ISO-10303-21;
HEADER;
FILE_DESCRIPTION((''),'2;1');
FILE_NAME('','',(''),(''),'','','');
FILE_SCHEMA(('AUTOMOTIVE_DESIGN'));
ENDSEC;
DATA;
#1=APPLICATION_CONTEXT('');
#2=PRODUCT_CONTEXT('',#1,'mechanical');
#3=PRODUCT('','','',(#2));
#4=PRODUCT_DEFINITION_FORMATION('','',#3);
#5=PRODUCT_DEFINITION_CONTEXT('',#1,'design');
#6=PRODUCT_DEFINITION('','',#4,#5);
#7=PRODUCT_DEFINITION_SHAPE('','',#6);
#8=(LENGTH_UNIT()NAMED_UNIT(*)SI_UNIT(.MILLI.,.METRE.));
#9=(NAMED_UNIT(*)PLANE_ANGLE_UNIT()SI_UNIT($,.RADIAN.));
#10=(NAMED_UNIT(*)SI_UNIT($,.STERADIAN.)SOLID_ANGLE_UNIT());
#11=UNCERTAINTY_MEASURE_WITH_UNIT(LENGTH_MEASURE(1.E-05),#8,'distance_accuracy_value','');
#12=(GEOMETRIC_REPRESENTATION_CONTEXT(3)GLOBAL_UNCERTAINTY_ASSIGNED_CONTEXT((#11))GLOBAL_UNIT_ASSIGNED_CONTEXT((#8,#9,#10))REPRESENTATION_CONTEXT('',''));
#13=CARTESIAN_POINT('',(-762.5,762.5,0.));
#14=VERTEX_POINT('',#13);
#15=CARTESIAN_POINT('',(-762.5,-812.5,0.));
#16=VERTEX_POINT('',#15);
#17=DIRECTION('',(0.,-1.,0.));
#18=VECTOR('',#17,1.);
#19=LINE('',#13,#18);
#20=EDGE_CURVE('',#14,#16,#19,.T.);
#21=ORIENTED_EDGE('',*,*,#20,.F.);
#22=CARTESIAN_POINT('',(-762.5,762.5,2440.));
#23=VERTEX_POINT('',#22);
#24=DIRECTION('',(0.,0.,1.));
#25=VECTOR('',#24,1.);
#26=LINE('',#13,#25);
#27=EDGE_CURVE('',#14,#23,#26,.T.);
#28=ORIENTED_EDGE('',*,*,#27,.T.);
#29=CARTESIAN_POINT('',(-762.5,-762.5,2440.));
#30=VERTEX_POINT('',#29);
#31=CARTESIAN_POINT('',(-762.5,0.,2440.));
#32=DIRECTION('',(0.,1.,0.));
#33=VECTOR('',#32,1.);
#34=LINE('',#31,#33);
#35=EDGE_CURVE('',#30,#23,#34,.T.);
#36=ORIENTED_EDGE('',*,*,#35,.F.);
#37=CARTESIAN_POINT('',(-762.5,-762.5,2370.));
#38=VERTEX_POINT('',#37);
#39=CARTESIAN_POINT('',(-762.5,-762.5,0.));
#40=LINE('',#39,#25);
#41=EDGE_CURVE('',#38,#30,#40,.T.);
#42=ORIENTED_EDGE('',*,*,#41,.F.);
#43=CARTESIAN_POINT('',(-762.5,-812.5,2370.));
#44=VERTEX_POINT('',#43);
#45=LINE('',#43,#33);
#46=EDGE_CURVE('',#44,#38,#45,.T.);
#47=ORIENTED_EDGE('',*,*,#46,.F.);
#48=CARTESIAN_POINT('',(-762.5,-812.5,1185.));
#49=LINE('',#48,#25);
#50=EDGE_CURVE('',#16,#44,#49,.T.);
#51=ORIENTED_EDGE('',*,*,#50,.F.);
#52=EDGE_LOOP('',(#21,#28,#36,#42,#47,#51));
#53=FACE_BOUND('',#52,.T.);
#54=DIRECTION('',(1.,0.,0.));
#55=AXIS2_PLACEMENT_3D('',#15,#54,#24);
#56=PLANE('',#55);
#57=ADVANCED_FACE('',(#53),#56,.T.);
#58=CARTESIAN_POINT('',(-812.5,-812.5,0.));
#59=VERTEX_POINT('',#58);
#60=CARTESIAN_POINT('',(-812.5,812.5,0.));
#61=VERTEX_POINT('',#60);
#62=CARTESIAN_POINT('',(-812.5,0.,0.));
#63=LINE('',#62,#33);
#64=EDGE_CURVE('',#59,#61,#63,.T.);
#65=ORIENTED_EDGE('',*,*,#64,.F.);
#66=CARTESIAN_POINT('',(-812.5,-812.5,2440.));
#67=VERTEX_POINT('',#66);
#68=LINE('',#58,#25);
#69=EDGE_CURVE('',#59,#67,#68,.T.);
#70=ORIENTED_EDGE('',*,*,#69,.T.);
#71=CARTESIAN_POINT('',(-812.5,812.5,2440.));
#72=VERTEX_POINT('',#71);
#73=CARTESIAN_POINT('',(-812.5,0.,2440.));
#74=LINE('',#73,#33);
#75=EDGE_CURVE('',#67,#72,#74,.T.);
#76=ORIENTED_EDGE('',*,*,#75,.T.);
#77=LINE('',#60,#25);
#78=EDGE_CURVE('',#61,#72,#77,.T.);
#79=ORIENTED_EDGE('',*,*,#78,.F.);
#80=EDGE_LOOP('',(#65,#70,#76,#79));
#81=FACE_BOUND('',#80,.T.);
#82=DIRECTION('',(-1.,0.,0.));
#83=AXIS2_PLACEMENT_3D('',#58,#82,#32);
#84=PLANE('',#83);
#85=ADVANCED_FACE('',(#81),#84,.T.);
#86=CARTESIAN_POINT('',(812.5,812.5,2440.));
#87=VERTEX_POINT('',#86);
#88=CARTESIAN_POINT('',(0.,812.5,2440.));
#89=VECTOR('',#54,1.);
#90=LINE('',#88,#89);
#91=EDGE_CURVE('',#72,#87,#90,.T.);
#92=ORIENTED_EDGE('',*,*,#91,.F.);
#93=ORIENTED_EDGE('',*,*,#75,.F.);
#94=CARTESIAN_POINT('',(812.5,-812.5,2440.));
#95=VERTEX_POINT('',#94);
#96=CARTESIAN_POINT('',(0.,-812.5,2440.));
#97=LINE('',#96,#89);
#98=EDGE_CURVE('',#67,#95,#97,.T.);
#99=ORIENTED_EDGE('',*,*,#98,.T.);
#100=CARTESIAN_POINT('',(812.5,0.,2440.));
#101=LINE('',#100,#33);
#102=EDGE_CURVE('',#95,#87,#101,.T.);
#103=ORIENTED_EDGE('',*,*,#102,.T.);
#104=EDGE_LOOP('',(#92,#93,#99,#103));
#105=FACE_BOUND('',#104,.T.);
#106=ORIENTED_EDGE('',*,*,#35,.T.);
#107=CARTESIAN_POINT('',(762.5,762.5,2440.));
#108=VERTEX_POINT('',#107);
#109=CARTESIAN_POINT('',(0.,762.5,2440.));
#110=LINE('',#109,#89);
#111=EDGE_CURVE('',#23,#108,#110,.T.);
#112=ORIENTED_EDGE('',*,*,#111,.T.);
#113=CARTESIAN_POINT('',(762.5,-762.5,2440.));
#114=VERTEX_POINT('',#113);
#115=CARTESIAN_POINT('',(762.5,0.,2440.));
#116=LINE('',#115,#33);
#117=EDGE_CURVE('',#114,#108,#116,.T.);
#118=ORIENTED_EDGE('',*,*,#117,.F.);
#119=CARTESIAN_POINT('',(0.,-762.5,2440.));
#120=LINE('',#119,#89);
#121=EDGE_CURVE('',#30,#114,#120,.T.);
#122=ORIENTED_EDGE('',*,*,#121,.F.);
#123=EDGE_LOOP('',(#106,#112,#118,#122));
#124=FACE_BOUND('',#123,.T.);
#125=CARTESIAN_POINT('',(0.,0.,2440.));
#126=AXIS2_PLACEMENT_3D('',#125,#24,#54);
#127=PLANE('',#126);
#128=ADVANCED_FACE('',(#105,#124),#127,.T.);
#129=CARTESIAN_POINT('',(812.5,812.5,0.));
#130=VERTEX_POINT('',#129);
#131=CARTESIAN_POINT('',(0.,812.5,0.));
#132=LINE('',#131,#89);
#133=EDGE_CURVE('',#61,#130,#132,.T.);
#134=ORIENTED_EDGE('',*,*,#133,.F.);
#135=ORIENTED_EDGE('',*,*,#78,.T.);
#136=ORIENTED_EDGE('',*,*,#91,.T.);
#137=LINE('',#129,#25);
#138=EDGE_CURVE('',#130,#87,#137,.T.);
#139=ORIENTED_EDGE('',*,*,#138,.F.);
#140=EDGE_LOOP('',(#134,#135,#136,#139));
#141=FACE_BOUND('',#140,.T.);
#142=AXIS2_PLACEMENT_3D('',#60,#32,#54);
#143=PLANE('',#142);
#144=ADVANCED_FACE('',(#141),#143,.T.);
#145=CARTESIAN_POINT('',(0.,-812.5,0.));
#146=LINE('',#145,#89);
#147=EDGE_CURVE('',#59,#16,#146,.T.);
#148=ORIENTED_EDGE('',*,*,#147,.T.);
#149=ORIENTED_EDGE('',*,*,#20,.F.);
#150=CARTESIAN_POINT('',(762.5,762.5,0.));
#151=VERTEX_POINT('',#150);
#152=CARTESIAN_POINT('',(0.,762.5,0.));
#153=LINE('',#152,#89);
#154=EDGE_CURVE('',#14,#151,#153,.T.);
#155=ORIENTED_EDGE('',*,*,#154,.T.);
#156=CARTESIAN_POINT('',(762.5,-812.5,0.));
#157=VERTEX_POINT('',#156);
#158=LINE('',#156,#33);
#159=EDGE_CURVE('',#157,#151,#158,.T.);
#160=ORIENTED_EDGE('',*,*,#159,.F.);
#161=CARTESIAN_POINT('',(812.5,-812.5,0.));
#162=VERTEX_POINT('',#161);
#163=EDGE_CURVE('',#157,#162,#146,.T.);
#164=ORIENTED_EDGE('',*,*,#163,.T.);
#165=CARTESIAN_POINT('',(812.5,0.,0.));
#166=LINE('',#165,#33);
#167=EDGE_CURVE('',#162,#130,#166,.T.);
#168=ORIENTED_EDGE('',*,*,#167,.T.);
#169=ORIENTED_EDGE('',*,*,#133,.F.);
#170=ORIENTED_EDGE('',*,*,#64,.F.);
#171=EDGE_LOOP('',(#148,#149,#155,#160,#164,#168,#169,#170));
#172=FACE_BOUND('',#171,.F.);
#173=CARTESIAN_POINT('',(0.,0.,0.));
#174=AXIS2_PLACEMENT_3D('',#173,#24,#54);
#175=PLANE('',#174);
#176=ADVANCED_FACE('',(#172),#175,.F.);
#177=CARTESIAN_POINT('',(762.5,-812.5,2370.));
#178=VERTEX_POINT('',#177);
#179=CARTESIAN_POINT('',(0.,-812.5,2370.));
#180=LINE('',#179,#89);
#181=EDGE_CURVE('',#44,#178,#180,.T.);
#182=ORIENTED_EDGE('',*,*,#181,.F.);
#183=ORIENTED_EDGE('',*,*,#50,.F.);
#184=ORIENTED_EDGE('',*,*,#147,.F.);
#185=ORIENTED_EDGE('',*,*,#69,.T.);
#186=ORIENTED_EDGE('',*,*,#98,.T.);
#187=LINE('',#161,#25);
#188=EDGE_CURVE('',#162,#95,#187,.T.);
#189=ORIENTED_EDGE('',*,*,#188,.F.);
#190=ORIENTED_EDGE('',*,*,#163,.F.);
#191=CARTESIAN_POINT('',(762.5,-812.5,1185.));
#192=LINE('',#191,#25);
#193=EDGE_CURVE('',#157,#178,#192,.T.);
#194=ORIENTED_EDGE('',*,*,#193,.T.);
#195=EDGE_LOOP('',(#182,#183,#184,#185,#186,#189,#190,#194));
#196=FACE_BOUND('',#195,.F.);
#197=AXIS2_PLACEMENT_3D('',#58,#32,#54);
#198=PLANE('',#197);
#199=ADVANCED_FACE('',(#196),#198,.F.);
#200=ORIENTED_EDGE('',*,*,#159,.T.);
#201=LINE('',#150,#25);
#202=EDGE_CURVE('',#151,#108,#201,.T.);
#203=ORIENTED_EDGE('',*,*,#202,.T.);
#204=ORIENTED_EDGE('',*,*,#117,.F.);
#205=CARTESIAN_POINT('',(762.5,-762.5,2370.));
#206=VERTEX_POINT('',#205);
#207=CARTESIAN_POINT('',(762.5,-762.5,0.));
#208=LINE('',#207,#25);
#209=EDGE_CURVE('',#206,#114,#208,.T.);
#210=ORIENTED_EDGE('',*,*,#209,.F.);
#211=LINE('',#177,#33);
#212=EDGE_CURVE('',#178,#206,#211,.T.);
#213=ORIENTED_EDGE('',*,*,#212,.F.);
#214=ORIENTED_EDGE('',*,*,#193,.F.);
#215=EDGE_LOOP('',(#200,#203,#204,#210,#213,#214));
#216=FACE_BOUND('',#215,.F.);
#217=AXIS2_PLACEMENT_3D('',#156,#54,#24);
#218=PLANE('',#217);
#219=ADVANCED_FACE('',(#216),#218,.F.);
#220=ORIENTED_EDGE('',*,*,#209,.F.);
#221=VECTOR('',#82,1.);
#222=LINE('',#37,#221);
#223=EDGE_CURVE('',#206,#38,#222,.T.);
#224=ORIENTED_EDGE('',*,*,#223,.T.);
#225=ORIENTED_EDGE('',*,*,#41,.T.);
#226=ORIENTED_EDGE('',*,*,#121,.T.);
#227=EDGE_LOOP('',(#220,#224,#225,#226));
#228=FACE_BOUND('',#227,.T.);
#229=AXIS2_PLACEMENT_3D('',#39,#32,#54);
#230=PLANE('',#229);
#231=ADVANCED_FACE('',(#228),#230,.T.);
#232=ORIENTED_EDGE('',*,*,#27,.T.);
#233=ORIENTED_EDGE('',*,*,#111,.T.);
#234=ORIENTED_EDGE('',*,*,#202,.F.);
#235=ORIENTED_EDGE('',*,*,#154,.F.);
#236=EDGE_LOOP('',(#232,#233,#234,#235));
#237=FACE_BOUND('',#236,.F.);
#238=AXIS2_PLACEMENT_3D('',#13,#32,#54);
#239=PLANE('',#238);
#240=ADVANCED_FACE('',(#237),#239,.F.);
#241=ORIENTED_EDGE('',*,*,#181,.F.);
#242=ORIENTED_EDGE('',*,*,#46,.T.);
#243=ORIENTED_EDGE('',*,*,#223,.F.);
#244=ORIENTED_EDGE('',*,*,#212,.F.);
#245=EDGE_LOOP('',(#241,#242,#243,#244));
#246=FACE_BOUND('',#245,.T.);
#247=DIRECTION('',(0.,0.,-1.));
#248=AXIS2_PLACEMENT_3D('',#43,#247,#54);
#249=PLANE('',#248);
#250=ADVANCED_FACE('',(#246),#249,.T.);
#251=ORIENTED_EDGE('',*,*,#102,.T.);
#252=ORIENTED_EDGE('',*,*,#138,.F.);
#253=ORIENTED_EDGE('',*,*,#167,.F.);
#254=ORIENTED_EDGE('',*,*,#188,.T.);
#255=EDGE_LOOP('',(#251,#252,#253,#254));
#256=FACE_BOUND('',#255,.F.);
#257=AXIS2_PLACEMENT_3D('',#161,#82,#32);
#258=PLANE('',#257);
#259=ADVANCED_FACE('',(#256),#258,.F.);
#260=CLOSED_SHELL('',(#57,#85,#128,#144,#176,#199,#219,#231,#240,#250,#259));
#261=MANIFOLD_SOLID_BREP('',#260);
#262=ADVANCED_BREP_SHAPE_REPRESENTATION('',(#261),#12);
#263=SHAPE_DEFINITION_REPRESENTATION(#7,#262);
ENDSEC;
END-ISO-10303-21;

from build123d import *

# Parameters (mm, degrees)
F0_W     = 1625
F0_H     = 1625
F0_W_2   = 1525
F0_H_2   = 1525
F1_DEPTH = 2440
F2_W     = 1525
F2_H     = 2370
F3_DEPTH = 164


with BuildPart() as f1:
    # F0 (on Top) → F1 (new body)
    with BuildSketch(Plane.XY):
        Rectangle(F0_W, F0_H)
        Rectangle(F0_W_2, F0_H_2, mode=Mode.SUBTRACT)
    extrude(amount=F1_DEPTH)

    # F2 (on face) → F3 (cut)
    with BuildSketch(Plane.XZ.offset(812.5)):
        with Locations((0, 1185)):
            Rectangle(F2_W, F2_H)
    extrude(amount=-F3_DEPTH, mode=Mode.SUBTRACT)


solid = f1.part
